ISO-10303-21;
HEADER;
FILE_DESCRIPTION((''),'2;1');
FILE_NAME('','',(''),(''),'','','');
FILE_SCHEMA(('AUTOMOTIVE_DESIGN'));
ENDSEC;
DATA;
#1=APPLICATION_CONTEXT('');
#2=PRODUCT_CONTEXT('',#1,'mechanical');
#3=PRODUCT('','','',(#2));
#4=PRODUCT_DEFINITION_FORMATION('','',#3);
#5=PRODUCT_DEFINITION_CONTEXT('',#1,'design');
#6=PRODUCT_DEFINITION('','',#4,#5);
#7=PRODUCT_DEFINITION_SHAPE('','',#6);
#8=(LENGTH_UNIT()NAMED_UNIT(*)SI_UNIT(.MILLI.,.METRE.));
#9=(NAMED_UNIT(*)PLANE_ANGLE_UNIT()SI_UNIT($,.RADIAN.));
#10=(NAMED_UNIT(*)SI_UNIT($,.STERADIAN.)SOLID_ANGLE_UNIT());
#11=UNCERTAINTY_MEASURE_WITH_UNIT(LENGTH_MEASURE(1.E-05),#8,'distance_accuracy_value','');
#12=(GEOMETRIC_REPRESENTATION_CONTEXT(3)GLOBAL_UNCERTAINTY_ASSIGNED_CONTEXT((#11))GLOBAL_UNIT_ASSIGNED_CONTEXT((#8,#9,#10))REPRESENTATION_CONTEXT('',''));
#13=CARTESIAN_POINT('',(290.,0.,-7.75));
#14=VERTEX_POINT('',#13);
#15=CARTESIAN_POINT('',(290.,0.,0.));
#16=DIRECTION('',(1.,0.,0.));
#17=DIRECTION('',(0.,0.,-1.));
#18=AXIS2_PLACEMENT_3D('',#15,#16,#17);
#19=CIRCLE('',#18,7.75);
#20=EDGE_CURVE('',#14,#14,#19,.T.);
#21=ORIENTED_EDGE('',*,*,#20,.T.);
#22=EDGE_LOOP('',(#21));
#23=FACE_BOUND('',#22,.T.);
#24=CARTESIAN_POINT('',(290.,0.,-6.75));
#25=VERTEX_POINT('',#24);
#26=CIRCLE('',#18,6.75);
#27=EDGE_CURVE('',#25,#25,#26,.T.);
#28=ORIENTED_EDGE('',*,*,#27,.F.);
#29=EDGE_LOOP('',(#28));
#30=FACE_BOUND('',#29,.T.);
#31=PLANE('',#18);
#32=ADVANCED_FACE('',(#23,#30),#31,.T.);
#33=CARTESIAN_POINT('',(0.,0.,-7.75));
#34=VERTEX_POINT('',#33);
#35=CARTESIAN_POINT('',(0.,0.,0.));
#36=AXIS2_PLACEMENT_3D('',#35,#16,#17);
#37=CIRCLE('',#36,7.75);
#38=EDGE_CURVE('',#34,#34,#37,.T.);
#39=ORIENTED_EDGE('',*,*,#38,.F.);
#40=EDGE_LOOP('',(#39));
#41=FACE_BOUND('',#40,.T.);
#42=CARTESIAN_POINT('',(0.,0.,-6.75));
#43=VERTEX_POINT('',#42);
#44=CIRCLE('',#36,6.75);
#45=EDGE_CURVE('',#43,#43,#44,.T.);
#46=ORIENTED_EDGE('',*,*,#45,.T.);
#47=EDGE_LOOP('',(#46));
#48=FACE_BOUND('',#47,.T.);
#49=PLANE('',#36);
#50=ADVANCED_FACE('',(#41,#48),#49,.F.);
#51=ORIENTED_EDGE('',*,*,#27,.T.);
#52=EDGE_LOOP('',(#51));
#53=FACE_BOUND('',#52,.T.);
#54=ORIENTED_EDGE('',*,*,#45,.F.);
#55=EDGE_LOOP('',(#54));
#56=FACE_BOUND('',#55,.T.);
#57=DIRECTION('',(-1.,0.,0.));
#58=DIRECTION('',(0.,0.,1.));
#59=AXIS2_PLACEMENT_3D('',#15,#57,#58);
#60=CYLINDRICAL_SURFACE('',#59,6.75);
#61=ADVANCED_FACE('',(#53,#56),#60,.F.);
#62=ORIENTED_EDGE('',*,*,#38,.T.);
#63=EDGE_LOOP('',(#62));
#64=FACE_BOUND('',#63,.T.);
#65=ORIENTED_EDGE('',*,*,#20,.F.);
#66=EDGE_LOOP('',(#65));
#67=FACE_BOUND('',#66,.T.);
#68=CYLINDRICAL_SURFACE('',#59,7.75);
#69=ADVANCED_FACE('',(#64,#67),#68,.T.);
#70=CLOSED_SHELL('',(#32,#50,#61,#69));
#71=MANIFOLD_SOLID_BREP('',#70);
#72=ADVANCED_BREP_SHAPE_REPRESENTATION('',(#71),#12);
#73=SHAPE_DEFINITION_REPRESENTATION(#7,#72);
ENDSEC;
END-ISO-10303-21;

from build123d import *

# Parameters (mm, degrees)
SKIZZE1_R                       = 7.75
SKIZZE1_R_2                     = 6.75
AUFSATZ_LINEAR_AUSTRAGEN1_DEPTH = 290


with BuildPart() as part:
    # Skizze1 → Aufsatz-Linear austragen1 (new body)
    with BuildSketch(Plane(origin=(0, 0, 0), x_dir=(0, 0, -1), z_dir=(1, 0, 0))):
        Circle(SKIZZE1_R)
        Circle(SKIZZE1_R_2, mode=Mode.SUBTRACT)
    extrude(amount=AUFSATZ_LINEAR_AUSTRAGEN1_DEPTH)


solid = part.part
